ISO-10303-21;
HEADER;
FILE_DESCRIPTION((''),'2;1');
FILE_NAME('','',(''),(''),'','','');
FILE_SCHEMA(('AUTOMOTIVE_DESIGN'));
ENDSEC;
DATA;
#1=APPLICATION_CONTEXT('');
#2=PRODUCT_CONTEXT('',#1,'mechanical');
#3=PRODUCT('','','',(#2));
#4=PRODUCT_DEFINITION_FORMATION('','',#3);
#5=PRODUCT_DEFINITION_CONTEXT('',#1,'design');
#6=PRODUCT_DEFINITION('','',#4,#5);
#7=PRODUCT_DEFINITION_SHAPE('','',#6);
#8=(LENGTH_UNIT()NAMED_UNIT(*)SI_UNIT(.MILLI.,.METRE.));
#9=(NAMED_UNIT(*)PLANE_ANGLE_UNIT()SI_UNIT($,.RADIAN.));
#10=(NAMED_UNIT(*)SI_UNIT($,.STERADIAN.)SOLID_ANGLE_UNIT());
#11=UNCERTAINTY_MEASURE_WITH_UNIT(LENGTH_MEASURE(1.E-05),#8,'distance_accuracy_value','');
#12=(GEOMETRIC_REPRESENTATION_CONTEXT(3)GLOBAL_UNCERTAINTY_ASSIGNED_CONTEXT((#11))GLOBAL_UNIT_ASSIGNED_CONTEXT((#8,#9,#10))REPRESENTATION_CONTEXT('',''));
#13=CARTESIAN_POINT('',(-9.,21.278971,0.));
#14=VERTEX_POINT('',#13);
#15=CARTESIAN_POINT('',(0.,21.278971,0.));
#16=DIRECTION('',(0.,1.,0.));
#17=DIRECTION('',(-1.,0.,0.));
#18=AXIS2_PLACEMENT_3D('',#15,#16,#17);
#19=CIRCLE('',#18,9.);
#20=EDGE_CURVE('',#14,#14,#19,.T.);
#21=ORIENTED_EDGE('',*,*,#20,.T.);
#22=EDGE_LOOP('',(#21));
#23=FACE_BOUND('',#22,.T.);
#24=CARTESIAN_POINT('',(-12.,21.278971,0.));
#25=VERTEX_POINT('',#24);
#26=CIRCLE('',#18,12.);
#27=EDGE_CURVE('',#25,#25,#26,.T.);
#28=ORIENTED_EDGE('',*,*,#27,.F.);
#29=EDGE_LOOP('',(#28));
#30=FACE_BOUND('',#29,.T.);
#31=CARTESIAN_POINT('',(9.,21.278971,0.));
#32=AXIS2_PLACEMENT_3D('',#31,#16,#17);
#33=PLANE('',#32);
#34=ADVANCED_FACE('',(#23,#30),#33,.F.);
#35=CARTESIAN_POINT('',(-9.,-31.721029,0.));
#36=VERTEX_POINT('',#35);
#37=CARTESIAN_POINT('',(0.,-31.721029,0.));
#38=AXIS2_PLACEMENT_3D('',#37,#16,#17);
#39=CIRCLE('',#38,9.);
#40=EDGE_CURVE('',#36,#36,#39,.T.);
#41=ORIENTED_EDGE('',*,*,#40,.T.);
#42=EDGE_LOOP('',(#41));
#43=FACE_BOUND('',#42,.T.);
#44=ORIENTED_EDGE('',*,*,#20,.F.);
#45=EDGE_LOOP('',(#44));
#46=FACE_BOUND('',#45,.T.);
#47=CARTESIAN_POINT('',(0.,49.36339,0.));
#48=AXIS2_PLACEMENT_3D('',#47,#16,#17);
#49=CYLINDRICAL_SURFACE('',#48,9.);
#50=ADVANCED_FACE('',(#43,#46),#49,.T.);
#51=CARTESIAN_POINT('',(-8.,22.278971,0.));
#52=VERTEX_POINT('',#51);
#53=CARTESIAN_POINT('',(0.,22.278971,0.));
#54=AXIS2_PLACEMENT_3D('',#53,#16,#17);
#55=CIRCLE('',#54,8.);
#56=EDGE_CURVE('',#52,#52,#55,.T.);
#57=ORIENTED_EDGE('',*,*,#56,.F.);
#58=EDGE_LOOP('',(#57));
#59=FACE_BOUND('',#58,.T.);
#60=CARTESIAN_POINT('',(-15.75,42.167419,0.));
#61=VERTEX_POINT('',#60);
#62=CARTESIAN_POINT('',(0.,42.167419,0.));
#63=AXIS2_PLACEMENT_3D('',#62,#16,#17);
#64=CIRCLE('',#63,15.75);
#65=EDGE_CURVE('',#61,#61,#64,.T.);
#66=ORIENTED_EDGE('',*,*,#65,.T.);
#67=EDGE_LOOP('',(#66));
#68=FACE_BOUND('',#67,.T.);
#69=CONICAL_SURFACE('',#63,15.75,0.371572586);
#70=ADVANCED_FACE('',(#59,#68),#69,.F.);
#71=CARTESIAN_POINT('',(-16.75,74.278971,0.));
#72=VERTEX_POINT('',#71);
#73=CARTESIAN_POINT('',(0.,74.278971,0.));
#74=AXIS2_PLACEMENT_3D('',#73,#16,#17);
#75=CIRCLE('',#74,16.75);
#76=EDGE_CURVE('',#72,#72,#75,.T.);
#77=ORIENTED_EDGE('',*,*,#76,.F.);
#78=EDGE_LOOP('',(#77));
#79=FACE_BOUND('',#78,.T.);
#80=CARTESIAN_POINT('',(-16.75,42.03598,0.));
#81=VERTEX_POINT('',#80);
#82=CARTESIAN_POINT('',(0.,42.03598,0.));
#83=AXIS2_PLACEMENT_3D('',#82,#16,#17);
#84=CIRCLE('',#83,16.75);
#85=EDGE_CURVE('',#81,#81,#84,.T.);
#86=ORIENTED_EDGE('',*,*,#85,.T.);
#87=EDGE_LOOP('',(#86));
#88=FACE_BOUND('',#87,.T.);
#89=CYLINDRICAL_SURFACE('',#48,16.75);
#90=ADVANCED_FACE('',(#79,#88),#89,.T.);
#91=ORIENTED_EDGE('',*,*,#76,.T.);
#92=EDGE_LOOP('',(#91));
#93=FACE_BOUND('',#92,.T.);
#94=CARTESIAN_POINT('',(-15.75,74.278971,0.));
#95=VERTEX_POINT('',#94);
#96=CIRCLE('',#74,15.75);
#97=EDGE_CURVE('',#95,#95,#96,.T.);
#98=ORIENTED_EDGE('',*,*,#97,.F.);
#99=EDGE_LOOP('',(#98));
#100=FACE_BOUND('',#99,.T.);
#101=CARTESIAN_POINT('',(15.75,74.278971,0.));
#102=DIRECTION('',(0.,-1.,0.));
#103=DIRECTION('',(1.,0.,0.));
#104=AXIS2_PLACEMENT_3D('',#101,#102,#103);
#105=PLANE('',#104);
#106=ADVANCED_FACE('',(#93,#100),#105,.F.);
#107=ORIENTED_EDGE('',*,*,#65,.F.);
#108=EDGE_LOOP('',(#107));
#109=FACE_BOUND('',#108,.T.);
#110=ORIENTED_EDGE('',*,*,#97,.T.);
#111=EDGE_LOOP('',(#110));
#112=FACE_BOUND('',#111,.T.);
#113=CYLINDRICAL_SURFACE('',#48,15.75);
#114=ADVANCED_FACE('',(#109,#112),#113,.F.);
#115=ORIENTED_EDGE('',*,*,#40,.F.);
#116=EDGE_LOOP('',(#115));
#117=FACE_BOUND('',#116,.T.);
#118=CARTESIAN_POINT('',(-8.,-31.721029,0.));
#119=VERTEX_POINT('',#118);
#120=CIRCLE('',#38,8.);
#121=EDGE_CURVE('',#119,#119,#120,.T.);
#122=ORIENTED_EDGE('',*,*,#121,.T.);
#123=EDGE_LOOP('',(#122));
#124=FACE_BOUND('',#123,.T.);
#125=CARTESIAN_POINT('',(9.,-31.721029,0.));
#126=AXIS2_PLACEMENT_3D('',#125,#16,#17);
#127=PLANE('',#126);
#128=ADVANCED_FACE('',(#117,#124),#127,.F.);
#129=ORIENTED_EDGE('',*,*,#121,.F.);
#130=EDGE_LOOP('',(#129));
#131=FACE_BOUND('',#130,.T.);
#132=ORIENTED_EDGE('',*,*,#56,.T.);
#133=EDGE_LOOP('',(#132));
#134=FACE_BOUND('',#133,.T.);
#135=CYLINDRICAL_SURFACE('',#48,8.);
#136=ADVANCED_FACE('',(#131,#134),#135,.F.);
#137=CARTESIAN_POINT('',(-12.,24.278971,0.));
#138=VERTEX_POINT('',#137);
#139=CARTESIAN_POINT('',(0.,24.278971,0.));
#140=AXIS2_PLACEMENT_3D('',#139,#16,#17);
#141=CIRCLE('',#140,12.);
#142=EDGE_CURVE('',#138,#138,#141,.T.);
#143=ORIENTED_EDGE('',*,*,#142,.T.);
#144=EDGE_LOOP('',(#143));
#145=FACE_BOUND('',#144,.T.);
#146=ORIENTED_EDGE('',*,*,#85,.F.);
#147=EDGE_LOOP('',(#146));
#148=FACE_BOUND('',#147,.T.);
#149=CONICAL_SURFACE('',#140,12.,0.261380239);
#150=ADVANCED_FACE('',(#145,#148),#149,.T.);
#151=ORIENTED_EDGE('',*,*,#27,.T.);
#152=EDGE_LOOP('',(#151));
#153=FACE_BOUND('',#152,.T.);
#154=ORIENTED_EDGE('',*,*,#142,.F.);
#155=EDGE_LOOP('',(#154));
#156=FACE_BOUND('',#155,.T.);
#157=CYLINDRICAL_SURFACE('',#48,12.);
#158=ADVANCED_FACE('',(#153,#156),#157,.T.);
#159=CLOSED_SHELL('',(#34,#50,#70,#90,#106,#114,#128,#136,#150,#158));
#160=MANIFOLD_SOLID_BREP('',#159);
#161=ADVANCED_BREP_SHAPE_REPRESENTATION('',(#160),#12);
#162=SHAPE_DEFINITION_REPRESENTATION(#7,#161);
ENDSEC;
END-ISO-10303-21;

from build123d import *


with BuildPart() as part:
    # Esquisse2 → Révolution1 (revolve)
    with BuildSketch(Plane.XY):
        Polygon((9, -31.721029288), (8, -31.721029288), (8, -31.640944035), (8, 22.278970712), (15.75, 42.167419354), (15.75, 74.278970712), (16.75, 74.278970712), (16.75, 42.035980057), (12, 24.278970712), (12, 21.278970712), (9, 21.278970712), align=None)
    revolve(axis=Axis((0, 49.363390201, 0), (0, -1, 0)))


solid = part.part
